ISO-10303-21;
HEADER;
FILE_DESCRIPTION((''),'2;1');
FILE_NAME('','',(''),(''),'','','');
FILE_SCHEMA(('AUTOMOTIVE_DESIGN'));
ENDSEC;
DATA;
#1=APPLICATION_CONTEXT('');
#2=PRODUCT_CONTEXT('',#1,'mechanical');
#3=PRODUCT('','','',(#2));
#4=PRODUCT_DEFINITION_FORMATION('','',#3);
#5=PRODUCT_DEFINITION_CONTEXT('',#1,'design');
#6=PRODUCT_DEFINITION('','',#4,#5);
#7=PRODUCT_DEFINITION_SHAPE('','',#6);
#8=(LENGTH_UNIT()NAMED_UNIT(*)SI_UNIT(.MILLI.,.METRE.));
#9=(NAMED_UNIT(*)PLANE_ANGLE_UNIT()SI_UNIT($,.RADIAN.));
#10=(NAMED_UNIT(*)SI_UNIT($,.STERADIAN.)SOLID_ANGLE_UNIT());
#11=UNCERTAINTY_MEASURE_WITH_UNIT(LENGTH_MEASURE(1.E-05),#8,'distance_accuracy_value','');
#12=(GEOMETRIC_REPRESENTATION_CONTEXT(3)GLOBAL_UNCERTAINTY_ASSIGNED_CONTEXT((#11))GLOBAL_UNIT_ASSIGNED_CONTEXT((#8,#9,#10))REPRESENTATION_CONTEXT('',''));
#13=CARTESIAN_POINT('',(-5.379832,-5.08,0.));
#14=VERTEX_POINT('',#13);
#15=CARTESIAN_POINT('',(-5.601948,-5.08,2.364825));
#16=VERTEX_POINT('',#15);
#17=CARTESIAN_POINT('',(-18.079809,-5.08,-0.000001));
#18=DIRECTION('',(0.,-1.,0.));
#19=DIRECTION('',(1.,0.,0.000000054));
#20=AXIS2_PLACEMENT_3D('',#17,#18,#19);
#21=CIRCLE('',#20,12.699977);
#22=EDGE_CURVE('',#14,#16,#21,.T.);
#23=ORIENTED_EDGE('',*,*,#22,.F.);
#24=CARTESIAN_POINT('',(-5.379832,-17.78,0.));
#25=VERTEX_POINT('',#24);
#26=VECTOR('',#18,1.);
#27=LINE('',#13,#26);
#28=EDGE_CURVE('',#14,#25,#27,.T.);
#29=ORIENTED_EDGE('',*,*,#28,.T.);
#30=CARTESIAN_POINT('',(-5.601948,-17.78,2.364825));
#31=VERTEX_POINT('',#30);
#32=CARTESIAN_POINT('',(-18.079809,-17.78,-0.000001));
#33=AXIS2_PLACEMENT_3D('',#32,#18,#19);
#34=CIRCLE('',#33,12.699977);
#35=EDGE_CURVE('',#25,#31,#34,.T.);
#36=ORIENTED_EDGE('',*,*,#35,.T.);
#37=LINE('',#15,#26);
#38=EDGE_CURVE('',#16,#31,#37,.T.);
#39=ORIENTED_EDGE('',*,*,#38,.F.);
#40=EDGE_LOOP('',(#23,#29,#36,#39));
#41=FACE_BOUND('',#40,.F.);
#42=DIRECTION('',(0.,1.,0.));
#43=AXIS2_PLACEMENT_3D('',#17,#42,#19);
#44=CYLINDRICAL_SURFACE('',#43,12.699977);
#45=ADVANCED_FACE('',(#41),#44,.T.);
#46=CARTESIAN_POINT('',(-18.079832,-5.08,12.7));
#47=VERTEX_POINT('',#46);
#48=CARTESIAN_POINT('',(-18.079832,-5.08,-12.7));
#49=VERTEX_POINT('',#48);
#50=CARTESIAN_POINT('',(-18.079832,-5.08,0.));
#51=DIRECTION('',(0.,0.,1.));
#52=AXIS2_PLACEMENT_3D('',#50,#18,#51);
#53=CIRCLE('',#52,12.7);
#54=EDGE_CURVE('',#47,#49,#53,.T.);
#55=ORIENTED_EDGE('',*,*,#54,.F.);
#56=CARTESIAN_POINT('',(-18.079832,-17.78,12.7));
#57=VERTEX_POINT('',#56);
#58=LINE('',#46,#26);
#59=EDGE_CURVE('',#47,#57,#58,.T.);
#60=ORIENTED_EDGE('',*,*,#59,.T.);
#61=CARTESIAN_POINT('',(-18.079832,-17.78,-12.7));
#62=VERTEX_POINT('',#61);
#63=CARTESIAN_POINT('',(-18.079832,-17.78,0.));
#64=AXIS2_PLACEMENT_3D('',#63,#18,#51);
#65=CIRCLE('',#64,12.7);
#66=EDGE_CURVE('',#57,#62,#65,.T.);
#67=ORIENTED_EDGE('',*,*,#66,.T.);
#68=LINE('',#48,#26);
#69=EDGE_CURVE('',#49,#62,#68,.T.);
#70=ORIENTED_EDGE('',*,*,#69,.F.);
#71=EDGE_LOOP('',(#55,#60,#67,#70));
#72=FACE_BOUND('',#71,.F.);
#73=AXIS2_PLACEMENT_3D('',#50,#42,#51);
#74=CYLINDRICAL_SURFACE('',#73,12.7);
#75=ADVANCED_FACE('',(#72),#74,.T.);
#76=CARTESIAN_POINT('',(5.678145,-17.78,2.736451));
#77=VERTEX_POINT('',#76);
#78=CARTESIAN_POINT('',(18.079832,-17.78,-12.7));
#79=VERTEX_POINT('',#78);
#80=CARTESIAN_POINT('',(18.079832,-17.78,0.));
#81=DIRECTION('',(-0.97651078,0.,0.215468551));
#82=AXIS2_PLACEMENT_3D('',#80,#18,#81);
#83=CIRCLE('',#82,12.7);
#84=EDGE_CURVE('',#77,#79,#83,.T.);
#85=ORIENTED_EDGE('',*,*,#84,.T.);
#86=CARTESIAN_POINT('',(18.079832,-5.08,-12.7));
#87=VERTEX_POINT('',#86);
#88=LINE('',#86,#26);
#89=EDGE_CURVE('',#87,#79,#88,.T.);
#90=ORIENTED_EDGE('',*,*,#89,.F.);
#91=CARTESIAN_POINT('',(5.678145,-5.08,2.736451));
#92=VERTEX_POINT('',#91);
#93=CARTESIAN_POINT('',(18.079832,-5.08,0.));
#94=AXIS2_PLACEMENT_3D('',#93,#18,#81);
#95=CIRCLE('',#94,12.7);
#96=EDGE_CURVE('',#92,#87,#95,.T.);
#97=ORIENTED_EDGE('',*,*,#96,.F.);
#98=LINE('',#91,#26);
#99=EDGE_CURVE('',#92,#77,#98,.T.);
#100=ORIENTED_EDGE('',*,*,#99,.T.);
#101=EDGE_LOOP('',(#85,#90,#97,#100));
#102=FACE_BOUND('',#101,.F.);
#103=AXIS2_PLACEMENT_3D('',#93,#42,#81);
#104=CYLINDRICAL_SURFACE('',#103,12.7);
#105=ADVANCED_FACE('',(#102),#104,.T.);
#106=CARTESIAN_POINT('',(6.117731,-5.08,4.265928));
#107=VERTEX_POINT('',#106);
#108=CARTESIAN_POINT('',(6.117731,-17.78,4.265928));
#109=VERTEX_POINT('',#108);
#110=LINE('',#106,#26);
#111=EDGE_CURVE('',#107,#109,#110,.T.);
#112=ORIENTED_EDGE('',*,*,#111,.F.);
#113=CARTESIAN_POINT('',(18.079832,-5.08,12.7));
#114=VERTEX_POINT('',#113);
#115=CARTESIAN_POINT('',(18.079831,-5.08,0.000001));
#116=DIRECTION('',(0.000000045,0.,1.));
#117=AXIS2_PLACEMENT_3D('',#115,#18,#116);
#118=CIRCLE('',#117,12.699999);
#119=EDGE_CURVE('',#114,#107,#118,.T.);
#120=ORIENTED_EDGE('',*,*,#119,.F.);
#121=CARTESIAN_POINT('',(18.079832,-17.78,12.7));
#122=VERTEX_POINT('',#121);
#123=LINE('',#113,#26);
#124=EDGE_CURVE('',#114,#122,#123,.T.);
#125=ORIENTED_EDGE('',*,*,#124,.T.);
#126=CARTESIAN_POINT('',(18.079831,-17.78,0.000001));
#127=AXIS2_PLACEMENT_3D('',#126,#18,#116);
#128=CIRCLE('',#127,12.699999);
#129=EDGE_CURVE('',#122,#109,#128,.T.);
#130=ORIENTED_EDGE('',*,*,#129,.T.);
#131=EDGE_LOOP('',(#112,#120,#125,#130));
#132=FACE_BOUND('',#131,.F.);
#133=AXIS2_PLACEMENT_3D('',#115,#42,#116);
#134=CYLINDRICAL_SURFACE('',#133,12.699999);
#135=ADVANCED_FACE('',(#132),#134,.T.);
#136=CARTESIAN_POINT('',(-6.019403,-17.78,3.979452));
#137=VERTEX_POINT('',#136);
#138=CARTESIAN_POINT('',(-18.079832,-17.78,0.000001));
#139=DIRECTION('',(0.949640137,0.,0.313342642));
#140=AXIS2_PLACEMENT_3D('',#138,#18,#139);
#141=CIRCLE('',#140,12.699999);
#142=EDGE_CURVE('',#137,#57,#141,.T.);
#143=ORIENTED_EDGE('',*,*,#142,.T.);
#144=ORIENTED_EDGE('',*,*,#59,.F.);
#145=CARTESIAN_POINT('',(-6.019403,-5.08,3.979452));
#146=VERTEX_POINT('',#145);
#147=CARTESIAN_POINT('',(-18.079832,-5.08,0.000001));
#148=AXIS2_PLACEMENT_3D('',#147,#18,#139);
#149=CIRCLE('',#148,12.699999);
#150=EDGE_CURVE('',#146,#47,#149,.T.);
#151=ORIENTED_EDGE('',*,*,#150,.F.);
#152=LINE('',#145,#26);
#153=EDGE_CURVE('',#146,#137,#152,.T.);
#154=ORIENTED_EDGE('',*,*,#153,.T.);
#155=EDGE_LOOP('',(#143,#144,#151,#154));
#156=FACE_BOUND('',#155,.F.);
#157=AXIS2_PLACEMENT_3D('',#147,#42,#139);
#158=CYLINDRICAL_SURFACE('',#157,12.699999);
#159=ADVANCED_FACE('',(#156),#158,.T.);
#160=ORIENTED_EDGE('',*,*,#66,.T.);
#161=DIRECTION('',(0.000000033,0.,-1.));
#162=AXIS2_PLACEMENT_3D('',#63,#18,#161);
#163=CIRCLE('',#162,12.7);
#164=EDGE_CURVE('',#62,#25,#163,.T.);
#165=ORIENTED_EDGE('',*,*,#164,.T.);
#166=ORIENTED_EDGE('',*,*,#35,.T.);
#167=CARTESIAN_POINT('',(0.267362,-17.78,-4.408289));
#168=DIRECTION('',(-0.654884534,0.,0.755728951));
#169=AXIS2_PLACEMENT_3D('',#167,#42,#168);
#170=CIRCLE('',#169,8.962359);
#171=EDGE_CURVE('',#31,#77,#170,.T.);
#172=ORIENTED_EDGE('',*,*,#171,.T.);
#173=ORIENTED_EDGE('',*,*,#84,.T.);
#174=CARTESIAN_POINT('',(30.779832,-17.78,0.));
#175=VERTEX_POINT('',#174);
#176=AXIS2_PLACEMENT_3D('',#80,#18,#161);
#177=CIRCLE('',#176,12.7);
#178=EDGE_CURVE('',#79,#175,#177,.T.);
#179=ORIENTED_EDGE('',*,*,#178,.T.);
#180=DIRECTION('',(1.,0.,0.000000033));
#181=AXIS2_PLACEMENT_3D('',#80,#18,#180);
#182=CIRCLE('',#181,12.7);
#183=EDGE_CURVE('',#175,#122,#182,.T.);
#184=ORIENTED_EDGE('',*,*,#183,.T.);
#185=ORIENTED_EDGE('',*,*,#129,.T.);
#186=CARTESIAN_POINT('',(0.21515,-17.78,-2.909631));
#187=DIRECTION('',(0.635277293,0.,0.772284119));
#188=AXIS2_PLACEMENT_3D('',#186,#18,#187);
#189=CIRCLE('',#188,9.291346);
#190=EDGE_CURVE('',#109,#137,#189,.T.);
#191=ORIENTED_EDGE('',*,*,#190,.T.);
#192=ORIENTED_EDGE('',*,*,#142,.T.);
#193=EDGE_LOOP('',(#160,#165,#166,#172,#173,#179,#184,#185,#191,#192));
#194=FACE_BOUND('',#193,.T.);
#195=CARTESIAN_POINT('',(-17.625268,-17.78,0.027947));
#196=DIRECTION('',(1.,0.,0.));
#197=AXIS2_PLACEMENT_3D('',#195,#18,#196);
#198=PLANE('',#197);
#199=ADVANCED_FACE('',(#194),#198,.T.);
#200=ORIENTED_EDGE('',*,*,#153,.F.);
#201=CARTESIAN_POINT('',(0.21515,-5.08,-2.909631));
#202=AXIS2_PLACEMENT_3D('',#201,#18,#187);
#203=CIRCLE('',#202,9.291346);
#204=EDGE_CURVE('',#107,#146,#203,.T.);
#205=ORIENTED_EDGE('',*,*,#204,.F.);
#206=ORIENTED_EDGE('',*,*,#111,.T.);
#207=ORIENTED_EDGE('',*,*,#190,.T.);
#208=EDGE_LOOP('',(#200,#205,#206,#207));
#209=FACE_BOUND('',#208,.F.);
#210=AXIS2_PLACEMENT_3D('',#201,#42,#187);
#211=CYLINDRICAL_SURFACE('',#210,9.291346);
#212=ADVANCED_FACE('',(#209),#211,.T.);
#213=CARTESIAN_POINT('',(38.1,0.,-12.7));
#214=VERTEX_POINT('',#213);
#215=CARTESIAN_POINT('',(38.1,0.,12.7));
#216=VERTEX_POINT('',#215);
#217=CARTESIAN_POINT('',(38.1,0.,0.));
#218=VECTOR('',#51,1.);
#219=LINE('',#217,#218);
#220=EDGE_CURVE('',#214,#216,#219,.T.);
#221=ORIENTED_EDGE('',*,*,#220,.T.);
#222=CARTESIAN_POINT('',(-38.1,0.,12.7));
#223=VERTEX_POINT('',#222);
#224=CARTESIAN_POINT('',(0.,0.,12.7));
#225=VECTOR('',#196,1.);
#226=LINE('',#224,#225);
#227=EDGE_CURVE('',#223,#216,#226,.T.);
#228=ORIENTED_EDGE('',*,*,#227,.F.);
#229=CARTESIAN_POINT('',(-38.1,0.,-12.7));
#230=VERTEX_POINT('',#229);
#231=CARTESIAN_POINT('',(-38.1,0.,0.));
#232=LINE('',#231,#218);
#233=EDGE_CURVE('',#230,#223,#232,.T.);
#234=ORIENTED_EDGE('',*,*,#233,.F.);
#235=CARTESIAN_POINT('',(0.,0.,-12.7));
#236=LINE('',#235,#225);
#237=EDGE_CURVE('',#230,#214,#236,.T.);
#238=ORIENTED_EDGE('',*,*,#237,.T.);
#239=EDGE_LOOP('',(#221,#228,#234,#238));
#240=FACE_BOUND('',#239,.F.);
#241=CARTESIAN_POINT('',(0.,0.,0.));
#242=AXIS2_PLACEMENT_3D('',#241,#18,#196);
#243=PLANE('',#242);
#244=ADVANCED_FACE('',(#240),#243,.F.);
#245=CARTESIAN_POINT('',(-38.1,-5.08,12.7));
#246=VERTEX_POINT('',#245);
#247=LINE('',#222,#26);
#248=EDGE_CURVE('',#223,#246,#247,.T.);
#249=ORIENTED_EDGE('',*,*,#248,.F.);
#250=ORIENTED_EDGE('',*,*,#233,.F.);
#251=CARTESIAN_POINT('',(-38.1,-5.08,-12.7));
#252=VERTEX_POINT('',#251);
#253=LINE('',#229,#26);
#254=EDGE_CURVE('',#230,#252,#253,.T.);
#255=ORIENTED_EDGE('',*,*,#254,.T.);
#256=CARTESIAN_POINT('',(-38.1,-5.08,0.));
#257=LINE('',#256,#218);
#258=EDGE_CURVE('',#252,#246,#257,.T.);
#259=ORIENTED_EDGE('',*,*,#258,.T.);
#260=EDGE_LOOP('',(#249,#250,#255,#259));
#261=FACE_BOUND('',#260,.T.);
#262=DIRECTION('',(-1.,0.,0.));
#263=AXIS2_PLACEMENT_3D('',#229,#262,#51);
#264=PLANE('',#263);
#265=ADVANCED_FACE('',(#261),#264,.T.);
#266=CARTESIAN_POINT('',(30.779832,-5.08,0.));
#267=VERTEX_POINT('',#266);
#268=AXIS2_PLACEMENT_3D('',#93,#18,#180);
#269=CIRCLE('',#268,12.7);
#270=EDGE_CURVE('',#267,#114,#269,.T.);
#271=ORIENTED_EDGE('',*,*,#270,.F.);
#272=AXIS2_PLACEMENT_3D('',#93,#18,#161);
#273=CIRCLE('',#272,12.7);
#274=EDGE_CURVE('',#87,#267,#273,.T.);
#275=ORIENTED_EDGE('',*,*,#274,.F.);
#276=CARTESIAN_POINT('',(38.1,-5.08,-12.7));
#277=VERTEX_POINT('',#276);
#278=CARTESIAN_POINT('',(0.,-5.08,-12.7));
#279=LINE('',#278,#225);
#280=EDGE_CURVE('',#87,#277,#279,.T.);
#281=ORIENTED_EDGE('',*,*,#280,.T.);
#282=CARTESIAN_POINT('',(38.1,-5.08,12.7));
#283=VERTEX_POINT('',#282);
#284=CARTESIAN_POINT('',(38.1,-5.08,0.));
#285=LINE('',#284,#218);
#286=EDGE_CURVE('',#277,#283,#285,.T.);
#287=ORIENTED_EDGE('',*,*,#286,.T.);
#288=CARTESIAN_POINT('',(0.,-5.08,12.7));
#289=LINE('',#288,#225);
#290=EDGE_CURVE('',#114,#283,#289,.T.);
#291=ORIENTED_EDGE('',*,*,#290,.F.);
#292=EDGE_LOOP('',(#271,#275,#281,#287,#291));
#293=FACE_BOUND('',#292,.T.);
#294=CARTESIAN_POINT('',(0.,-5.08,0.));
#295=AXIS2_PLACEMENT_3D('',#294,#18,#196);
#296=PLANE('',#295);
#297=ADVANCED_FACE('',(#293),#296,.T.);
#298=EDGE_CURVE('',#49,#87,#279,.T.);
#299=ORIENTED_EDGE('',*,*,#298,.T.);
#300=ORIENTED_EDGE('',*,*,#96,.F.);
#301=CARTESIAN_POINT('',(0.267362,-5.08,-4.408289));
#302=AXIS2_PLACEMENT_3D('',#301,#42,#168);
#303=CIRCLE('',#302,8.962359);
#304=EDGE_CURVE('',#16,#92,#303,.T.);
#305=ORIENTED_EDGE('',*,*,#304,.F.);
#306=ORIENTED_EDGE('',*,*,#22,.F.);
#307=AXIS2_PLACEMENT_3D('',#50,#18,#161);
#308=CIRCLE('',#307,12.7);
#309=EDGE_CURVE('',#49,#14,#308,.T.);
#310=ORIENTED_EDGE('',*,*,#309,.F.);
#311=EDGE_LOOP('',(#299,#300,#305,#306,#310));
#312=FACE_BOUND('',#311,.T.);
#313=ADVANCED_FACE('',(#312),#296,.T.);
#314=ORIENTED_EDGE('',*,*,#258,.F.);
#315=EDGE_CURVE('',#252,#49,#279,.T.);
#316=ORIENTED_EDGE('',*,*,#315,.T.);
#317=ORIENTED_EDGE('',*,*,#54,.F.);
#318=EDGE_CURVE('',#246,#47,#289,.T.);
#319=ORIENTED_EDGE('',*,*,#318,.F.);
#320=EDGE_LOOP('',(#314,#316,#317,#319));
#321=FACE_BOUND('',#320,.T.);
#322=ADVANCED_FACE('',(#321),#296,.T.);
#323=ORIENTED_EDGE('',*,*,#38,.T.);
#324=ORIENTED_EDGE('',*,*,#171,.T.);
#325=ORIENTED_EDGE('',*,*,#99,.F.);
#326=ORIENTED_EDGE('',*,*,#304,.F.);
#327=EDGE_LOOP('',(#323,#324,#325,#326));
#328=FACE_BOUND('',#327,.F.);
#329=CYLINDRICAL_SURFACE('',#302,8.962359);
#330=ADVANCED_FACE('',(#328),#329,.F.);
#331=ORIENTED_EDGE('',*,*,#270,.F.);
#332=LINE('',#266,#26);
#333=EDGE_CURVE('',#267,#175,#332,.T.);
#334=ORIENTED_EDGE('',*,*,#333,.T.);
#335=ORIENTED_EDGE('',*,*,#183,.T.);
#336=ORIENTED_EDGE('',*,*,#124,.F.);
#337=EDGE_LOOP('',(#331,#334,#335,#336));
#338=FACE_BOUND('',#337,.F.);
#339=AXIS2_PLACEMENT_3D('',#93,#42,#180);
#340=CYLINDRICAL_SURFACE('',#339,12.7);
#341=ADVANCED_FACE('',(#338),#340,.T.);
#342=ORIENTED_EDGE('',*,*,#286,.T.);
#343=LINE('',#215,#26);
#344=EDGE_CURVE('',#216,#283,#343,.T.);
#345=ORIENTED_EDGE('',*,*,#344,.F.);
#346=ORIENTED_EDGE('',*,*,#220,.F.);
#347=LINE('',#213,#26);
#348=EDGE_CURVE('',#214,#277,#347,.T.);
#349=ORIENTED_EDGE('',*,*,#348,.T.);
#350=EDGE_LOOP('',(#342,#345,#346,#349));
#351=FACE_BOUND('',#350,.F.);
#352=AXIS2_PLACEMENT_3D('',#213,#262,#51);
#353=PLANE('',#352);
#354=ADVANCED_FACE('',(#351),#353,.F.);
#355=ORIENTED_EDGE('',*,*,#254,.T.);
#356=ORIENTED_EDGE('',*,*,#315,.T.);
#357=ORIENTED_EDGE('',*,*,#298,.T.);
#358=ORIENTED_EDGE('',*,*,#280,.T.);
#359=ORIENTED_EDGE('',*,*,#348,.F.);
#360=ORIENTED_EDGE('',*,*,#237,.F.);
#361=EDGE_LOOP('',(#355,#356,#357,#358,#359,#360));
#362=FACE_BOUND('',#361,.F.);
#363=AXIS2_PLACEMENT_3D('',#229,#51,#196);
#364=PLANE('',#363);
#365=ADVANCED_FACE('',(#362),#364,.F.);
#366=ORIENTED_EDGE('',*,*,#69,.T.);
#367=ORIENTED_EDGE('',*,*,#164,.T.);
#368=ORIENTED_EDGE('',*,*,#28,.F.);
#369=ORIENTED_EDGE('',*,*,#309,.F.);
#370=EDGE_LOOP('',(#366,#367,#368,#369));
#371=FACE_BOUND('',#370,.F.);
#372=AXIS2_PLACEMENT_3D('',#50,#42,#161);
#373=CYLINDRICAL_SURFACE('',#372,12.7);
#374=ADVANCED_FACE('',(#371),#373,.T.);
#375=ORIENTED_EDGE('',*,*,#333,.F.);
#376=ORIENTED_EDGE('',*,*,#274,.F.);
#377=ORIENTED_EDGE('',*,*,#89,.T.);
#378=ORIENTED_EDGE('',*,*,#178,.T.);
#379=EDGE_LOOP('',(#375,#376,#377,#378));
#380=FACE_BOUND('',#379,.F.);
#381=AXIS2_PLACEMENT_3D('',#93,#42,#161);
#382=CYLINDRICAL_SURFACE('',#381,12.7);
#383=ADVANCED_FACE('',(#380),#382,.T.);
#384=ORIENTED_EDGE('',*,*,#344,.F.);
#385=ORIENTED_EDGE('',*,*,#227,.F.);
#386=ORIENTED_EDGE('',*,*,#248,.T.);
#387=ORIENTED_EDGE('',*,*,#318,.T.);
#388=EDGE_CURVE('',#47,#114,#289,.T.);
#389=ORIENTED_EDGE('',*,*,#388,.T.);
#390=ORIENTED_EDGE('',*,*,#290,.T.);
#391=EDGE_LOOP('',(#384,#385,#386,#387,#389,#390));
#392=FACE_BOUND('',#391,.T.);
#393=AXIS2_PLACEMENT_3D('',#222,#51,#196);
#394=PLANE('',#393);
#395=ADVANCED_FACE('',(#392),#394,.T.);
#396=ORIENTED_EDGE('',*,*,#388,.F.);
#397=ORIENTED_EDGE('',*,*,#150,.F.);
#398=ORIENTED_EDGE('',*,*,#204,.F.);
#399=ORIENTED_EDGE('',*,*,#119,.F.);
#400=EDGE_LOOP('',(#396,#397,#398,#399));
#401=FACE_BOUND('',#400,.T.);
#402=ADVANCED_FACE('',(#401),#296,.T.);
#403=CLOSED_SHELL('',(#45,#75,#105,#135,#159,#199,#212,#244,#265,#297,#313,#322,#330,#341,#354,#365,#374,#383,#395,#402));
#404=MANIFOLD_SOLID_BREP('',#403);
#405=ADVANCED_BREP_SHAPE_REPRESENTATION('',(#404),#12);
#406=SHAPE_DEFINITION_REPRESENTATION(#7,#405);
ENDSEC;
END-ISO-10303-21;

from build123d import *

# Parameters (mm, degrees)
F0_W     = 76.2
F0_H     = 25.4
F1_DEPTH = 5.08
F3_DEPTH = 12.7


with BuildPart() as f1:
    # F0 (on Front) → F1 (new body)
    with BuildSketch(Plane.XZ):
        Rectangle(F0_W, F0_H)
    extrude(amount=F1_DEPTH)

    # F2 (on face) → F3 (join)
    with BuildSketch(Plane.XZ.offset(5.08)):
        with BuildLine():
            ThreePointArc((-18.079832, -12.7), (-9.099576, -8.980256), (-5.379832, 0))
            ThreePointArc((-5.379832, 0), (-5.435483, 1.187617), (-5.601948, 2.364825))
            ThreePointArc((-5.601948, 2.364825), (-5.784143, 3.178999), (-6.019403, 3.979452))
            ThreePointArc((-6.019403, 3.979452), (-10.638362, 10.291478), (-18.079832, 12.7))
            ThreePointArc((-18.079832, 12.7), (-30.779832, 0), (-18.079832, -12.7))
        make_face()
        with BuildLine():
            ThreePointArc((-6.019403, 3.979452), (-5.784143, 3.178999), (-5.601948, 2.364825))
            ThreePointArc((-5.601948, 2.364825), (-0.027745, 4.54921), (5.678145, 2.736451))
            ThreePointArc((5.678145, 2.736451), (5.873958, 3.508082), (6.117731, 4.265928))
            ThreePointArc((6.117731, 4.265928), (-0.004095, 6.379128), (-6.019403, 3.979452))
        make_face()
        with BuildLine():
            ThreePointArc((6.117731, 4.265928), (5.873958, 3.508082), (5.678145, 2.736451))
            ThreePointArc((5.678145, 2.736451), (8.179253, -7.954152), (18.079832, -12.7))
            ThreePointArc((18.079832, -12.7), (27.060088, -8.980256), (30.779832, 0))
            ThreePointArc((30.779832, 0), (27.060088, 8.980256), (18.079832, 12.7))
            ThreePointArc((18.079832, 12.7), (10.761611, 10.379482), (6.117731, 4.265928))
        make_face()
    extrude(amount=F3_DEPTH)


solid = f1.part
